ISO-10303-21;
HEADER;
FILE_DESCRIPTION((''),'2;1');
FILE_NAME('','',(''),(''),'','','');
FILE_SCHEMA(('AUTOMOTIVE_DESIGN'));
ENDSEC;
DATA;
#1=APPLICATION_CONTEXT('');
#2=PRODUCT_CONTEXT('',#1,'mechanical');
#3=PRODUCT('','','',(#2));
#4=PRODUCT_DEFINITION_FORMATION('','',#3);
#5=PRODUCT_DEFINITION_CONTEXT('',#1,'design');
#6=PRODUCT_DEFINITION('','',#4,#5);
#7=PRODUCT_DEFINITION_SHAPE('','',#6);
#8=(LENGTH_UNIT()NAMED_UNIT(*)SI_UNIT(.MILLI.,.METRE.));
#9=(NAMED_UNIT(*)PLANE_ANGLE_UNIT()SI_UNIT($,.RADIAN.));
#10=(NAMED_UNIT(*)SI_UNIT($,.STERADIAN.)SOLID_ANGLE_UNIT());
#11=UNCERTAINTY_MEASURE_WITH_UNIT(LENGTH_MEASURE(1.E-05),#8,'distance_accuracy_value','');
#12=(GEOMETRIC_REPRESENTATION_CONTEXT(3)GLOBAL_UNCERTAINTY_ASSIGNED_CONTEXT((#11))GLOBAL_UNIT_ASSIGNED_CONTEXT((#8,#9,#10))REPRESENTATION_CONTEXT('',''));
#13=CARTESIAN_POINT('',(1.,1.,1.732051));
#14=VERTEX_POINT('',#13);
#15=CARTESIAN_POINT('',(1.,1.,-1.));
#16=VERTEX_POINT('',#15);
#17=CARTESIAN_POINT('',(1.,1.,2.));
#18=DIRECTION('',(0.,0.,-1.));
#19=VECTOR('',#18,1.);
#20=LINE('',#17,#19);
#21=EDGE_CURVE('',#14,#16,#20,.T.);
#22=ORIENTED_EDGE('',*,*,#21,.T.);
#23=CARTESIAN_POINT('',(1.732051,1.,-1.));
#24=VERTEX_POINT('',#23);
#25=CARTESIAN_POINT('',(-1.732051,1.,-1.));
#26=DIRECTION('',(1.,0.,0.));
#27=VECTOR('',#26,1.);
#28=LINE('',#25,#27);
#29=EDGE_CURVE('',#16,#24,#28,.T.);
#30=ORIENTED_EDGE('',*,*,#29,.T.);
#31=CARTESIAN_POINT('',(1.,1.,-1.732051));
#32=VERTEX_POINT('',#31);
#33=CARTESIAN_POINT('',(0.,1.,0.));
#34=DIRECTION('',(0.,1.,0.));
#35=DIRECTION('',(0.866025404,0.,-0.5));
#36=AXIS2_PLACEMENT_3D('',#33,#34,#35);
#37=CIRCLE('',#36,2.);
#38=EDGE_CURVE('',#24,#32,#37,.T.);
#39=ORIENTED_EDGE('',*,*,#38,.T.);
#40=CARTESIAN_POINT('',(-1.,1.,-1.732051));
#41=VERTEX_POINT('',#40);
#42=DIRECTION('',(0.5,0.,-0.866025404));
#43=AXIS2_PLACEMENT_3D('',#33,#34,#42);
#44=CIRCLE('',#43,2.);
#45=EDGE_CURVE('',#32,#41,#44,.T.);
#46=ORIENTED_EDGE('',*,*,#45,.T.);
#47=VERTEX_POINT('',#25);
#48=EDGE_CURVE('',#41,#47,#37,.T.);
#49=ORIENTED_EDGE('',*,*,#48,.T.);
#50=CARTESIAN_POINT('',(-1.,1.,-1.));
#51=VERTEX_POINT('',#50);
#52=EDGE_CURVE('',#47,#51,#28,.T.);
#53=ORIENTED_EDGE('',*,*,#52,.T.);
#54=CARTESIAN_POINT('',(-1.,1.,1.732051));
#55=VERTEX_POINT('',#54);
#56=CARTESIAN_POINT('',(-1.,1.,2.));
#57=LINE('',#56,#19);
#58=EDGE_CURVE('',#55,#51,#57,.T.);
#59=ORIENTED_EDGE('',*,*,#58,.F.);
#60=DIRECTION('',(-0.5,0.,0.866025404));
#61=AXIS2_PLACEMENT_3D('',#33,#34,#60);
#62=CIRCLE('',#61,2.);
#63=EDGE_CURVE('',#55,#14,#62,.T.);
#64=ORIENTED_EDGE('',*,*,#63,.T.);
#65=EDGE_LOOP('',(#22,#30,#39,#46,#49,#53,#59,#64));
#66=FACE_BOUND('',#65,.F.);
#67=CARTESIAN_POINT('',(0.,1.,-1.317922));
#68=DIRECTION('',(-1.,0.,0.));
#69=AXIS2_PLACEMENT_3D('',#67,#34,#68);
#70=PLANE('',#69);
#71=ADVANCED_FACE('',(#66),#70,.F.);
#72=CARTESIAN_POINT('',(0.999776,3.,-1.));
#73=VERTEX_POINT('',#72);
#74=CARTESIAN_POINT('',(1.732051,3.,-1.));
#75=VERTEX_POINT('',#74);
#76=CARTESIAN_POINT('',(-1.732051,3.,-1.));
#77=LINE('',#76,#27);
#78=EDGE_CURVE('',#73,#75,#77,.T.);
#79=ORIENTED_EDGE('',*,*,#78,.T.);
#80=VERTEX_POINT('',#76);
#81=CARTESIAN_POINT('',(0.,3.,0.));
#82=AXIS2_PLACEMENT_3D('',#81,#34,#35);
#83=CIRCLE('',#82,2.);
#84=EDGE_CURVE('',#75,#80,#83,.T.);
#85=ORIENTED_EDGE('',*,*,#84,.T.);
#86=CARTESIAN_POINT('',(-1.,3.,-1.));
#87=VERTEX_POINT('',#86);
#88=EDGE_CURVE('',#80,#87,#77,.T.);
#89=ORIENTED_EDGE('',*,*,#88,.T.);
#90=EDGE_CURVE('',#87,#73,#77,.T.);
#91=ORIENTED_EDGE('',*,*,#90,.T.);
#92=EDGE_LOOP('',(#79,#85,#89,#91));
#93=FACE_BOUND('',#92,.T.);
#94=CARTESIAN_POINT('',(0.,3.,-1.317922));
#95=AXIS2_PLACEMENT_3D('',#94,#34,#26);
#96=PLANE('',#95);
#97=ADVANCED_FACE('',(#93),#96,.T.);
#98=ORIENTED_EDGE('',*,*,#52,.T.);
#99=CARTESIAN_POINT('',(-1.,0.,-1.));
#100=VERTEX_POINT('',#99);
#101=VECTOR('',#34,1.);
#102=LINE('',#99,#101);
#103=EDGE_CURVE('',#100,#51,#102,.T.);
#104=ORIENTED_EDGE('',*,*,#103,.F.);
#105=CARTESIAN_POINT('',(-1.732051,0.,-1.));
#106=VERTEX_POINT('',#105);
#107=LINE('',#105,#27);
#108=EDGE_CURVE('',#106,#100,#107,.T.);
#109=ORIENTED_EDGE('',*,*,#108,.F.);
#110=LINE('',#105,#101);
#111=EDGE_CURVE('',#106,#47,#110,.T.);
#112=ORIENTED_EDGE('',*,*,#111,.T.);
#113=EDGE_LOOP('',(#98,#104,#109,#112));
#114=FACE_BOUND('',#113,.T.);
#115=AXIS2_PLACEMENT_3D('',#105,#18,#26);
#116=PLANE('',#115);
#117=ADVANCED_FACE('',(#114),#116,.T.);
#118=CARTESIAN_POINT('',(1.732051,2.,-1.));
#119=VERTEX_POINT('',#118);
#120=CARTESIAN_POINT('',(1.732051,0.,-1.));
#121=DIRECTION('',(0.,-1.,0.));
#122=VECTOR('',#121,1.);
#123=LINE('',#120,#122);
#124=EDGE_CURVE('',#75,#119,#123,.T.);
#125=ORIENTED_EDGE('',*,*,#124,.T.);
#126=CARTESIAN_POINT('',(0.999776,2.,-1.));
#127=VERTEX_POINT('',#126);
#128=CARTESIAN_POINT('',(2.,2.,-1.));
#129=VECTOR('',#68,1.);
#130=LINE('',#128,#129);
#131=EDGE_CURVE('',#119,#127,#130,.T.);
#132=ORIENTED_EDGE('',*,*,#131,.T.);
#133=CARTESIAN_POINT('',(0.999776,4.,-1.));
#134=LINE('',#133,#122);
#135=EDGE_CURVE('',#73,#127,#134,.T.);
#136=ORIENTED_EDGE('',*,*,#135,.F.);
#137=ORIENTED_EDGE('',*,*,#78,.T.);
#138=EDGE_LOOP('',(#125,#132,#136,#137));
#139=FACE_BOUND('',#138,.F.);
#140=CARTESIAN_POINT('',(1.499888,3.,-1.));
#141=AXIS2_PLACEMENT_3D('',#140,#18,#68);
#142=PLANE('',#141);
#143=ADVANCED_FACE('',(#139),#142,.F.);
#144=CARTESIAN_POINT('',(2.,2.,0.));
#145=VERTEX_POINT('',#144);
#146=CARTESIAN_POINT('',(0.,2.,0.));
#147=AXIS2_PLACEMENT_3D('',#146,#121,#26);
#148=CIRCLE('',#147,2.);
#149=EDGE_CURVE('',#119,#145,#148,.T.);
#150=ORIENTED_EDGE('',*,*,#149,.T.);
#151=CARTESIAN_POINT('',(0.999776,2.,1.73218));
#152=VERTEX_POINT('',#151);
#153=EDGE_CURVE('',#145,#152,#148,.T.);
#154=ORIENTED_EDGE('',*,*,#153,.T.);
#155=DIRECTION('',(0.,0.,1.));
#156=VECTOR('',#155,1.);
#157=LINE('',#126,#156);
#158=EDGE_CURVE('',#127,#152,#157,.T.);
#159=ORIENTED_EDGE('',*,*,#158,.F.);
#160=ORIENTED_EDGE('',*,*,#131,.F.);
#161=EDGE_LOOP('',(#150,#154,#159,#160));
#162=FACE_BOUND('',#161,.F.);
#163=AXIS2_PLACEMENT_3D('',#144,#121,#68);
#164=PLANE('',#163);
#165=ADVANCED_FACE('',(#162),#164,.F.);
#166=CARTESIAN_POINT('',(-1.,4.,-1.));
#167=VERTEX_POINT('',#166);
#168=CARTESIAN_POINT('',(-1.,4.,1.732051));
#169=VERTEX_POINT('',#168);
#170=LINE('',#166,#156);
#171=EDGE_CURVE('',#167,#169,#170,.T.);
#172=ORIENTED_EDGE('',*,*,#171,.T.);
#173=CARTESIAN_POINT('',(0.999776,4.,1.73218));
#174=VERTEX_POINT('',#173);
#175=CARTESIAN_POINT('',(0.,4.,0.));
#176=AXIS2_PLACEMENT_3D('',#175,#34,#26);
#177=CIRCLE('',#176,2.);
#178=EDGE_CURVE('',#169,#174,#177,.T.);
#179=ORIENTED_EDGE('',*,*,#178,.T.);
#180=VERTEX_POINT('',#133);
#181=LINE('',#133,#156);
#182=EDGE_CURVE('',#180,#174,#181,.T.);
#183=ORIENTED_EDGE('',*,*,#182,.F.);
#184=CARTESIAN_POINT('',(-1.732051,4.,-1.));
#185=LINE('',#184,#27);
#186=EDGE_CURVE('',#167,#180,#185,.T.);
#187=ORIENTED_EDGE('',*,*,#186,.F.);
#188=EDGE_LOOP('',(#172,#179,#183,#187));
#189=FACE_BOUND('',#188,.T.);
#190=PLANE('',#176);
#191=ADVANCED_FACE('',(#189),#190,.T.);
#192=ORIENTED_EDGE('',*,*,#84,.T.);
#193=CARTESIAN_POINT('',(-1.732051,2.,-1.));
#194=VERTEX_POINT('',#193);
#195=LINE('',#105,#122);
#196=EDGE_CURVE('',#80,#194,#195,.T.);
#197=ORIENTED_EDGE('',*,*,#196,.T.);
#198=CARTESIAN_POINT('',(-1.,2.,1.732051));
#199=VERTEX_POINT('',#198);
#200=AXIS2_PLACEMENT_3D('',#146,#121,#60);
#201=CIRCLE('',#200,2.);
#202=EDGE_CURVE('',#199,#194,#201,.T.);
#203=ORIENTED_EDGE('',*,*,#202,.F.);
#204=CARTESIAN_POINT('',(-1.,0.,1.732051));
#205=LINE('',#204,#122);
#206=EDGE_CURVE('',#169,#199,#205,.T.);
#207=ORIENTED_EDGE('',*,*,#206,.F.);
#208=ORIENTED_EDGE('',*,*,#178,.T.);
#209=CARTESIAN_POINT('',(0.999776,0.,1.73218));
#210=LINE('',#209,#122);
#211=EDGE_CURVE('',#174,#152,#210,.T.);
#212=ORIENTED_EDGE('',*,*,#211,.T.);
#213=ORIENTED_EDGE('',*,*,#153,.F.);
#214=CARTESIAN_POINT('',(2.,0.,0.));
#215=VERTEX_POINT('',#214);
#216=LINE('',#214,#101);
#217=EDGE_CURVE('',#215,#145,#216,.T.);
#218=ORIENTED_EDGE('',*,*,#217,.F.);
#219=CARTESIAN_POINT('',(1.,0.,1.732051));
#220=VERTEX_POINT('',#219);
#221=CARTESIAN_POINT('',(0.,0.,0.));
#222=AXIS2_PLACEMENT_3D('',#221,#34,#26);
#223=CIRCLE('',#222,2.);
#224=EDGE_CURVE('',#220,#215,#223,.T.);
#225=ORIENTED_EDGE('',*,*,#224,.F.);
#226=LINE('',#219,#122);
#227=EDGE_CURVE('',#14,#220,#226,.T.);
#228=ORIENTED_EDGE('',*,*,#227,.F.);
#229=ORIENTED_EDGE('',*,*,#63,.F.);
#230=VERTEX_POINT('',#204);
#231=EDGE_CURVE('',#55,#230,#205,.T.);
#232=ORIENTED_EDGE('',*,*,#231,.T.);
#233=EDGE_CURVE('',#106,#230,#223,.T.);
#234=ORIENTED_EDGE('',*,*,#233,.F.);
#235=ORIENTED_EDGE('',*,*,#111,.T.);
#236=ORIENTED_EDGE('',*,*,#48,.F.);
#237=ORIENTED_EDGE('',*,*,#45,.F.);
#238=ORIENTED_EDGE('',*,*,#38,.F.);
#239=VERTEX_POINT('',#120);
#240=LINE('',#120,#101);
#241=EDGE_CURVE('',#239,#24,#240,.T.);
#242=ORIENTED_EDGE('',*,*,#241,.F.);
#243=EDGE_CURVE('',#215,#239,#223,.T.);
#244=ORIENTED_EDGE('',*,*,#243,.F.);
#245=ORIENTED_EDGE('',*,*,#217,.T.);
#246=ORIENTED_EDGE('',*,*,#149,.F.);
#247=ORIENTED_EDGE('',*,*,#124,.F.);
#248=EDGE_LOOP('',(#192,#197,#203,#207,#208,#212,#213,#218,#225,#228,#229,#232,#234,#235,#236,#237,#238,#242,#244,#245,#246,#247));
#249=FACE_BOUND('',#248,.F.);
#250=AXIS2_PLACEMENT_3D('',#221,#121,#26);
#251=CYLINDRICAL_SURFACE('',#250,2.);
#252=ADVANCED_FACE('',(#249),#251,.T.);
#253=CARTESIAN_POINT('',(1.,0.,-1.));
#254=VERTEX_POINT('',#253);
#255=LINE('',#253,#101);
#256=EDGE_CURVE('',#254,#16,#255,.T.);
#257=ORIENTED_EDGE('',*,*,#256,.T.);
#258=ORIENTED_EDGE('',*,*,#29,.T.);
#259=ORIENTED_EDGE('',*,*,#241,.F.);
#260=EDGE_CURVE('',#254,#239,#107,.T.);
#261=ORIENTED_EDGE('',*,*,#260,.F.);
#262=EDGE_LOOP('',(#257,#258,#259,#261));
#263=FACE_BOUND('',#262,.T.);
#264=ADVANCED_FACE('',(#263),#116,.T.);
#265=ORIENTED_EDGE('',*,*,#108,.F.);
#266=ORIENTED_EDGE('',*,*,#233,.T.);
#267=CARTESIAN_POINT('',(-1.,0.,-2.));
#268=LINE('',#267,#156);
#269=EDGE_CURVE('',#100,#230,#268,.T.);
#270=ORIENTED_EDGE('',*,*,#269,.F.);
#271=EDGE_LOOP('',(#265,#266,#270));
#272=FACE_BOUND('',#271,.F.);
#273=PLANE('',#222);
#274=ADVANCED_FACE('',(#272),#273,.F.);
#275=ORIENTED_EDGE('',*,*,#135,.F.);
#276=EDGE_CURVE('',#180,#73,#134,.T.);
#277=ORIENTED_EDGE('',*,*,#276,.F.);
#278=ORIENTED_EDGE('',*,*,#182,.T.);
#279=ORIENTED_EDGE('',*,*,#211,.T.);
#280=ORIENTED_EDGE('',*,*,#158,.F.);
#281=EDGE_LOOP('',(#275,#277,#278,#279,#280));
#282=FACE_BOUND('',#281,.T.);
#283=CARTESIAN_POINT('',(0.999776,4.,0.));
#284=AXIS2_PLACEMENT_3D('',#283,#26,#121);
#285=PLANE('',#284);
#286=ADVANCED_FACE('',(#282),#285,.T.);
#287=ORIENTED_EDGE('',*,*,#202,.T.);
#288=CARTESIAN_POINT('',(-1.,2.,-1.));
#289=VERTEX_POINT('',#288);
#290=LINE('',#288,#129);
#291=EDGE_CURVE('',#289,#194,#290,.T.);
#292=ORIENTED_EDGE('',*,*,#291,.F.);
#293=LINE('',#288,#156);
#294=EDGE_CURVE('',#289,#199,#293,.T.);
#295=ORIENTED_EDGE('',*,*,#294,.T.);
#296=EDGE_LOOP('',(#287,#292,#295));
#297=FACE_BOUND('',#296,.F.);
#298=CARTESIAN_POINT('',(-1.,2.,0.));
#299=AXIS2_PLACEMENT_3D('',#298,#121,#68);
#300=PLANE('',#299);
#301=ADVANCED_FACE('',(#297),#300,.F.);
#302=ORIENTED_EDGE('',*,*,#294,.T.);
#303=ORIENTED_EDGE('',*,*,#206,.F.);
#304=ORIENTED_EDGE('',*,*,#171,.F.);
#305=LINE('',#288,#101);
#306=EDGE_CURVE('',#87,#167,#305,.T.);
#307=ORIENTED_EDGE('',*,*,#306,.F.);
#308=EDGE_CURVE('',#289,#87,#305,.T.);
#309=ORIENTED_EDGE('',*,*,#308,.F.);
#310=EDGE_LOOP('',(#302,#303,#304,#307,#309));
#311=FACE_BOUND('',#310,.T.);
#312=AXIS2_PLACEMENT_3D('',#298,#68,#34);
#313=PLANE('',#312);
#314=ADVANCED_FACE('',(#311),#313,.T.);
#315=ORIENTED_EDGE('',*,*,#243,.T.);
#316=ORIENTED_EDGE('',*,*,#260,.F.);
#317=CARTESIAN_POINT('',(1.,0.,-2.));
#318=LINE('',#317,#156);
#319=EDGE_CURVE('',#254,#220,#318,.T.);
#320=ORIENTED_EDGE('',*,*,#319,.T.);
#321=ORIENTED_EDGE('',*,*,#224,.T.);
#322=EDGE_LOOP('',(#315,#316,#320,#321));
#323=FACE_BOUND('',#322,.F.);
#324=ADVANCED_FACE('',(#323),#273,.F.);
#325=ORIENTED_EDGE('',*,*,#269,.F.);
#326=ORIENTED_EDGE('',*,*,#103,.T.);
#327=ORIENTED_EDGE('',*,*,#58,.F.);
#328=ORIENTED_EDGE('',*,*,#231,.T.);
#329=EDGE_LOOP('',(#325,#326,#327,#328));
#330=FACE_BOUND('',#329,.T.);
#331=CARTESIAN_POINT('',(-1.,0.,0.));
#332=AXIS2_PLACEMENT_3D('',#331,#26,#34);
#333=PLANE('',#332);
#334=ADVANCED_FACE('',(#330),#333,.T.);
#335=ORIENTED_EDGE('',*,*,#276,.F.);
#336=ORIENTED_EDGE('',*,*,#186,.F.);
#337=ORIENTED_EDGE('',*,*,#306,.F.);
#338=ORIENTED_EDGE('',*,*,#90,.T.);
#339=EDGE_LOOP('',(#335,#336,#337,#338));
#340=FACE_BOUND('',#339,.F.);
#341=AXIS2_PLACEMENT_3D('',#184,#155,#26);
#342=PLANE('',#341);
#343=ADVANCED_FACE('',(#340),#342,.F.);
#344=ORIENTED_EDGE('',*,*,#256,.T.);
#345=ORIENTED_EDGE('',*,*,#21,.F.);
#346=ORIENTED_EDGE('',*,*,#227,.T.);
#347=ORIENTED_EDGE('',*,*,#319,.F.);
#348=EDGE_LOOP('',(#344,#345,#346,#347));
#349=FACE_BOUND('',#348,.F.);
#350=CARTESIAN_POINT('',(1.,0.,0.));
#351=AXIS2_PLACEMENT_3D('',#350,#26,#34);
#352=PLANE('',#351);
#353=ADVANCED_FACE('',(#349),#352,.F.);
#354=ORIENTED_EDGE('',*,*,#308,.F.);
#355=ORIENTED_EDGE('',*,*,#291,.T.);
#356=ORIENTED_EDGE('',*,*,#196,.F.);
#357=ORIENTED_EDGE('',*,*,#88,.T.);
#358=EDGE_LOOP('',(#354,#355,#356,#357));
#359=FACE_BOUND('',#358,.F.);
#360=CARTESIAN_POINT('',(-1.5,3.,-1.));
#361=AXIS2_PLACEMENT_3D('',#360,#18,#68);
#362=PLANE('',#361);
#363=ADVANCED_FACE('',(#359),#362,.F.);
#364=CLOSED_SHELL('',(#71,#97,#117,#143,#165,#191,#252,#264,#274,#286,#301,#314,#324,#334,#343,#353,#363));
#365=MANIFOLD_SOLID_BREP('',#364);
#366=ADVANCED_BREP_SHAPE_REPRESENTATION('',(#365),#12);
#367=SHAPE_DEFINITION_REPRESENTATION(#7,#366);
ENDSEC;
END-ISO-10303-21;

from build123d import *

# Parameters (mm, degrees)
SKETCH1_R               = 2
BOSS_EXTRUDE1_DEPTH     = 4
SKETCH2_W               = 2
SKETCH2_H               = 1
CUT_EXTRUDE1_DEPTH      = 2
CUT_EXTRUDE2_DEPTH      = 4
CUT_EXTRUDE2_DEPTH_BACK = 1
CUT_EXTRUDE3_DEPTH      = 1
CUT_EXTRUDE4_DEPTH      = 1


with BuildPart() as part:
    # Sketch1 → Boss-Extrude1 (new body)
    with BuildSketch(Plane(origin=(0, 0, 0), x_dir=(1, 0, 0), z_dir=(0, 1, 0))):
        Circle(SKETCH1_R)
    extrude(amount=BOSS_EXTRUDE1_DEPTH)

    # Sketch2 → Cut-Extrude1 (cut, symmetric)
    with BuildSketch(Plane.XY):
        with Locations((0, 0.5)):
            Rectangle(SKETCH2_W, SKETCH2_H)
    extrude(amount=CUT_EXTRUDE1_DEPTH, both=True, mode=Mode.SUBTRACT)

    # Sketch3 → Cut-Extrude2 (cut, two sides)
    with BuildSketch(Plane.XY) as cut_extrude2_sk:
        Polygon((2, 4), (2, 3), (2, 2), (0.999776138, 2), (0.999776138, 3), (0.999776138, 4), align=None)
        Polygon((-1, 2), (-2, 2), (-2, 4), (-1, 4), (-1, 3), align=None)
    extrude(amount=CUT_EXTRUDE2_DEPTH, mode=Mode.SUBTRACT)
    extrude(cut_extrude2_sk.sketch, amount=-CUT_EXTRUDE2_DEPTH_BACK, mode=Mode.SUBTRACT)

    # Sketch4 → Cut-Extrude3 (cut)
    with BuildSketch(Plane(origin=(0, 4, 0), x_dir=(1, 0, 0), z_dir=(0, 1, 0))):
        with BuildLine():
            Line((-1.732050808, 1), (1.732050808, 1))
            ThreePointArc((1.732050808, 1), (0, 2), (-1.732050808, 1))
        make_face()
    extrude(amount=-CUT_EXTRUDE3_DEPTH, mode=Mode.SUBTRACT)

    # Sketch5 → Cut-Extrude4 (cut)
    with BuildSketch(Plane.XZ):
        with BuildLine():
            Line((-1.732050808, -1), (1.732050808, -1))
            ThreePointArc((1.732050808, -1), (0, -2), (-1.732050808, -1))
        make_face()
    extrude(amount=-CUT_EXTRUDE4_DEPTH, mode=Mode.SUBTRACT)


solid = part.part
